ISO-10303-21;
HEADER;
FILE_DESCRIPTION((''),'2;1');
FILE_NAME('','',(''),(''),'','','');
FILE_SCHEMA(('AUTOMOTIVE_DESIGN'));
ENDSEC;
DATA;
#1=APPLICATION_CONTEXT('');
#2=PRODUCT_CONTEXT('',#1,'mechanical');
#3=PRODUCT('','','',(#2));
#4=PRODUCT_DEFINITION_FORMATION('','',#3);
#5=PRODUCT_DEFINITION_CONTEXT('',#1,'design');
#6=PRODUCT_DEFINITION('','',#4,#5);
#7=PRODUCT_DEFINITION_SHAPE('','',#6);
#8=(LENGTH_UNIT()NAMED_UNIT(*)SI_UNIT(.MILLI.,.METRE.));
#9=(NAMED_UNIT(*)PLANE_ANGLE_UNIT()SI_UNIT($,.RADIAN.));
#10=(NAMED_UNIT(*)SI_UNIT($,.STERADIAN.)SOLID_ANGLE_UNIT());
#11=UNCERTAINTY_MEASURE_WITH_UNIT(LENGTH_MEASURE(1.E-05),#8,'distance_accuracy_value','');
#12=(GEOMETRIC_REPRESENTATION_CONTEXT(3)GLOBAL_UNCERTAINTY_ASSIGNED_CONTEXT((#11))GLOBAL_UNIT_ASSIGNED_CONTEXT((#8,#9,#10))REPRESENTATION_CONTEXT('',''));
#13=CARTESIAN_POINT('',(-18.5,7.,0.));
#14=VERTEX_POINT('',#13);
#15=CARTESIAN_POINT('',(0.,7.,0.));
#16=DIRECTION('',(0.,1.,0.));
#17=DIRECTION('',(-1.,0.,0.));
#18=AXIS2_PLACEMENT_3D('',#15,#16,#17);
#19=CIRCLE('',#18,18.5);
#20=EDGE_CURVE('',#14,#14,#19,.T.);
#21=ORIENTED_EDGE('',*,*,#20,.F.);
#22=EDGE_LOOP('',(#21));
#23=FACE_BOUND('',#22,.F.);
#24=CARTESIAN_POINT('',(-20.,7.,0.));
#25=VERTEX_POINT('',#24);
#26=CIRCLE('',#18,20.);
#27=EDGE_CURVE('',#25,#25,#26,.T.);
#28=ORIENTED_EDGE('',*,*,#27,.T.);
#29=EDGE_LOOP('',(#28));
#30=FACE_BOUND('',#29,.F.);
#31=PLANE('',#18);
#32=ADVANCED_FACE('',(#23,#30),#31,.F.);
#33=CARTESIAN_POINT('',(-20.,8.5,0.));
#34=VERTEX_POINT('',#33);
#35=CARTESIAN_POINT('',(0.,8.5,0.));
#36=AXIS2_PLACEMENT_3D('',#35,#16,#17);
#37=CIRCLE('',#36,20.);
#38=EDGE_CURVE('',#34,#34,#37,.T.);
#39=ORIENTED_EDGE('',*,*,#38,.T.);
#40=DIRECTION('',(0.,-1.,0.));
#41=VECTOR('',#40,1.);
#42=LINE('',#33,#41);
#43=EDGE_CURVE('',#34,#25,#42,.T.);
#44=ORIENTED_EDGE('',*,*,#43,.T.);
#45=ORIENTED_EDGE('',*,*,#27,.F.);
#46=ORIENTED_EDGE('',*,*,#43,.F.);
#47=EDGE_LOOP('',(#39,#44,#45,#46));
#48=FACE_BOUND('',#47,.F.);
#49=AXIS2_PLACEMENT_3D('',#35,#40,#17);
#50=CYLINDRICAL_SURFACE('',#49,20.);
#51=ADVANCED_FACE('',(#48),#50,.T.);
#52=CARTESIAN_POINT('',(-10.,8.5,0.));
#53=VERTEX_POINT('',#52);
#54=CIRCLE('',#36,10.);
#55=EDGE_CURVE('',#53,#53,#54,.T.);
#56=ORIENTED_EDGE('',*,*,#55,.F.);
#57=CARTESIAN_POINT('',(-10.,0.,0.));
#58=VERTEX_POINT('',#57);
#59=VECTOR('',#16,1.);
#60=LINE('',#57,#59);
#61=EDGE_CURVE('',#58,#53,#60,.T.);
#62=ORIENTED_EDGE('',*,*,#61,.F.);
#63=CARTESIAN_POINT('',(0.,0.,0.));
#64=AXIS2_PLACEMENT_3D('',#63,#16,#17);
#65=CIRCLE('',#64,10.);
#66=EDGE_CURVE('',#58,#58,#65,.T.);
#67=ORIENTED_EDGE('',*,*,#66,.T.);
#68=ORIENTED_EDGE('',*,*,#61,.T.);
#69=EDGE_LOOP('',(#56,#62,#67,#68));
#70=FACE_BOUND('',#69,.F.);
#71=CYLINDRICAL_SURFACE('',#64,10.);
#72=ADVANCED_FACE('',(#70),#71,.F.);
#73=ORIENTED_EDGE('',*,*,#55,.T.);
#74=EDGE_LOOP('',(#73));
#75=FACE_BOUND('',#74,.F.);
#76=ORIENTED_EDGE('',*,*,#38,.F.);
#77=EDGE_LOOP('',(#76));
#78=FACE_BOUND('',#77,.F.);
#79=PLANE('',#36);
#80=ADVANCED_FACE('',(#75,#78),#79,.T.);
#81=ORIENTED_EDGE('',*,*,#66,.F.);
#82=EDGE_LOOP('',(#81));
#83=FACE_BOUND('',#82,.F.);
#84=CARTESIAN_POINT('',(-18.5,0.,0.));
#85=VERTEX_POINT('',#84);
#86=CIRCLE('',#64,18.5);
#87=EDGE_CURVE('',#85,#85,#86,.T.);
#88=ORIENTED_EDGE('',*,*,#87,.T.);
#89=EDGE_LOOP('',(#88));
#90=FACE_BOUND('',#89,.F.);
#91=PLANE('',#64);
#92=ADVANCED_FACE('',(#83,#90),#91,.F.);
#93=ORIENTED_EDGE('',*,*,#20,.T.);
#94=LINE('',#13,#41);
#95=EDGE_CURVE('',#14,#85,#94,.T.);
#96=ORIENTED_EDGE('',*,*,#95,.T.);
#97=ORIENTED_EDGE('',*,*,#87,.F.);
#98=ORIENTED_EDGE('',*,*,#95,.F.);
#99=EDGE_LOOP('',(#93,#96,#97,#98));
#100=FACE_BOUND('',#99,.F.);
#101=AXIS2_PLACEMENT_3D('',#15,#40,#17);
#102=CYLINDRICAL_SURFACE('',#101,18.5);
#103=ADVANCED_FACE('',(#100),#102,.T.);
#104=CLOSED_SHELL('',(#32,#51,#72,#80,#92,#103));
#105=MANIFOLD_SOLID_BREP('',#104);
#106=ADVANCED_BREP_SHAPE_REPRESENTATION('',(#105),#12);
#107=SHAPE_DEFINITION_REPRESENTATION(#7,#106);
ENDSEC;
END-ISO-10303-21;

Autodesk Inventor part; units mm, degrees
ref_plane "YZ Plane" through (0, 0, 0) normal (1, 0, 0) x (0, 1, 0)
ref_plane "XZ Plane" through (0, 0, 0) normal (0, 1, 0) x (-1, 0, 0)
ref_plane "XY Plane" through (0, 0, 0) normal (0, 0, 1) x (1, 0, 0)
sketch "Sketch1" plane through (0, 0, 0) normal (0, 0, 1) x (1, 0, 0)
  line L0 (-20, 8.5) -> (-20, 7)
  line L1 (-20, 7) -> (-18.5, 7)
  line L2 (-18.5, 7) -> (-18.5, 0)
  line L3 (-18.5, 0) -> (-10, 0)
  line L4 (-10, 0) -> (-10, 8.5)
  line L5 (-10, 8.5) -> (-20, 8.5)
  line L6 (0, 0) -> (0, 8.0623) construction
  dimension "d0" = 8.5
  dimension "d1" = 18.5
  dimension "d2" = 10
  dimension "d3" = 20
  dimension "d4" = 1.5
revolve "Revolution1" add sketch "Sketch1" angle 360 about axis through (0, 0, 0) along (0, 1, 0)
properties part number "F6805ZZ" material "Stainless Steel"
